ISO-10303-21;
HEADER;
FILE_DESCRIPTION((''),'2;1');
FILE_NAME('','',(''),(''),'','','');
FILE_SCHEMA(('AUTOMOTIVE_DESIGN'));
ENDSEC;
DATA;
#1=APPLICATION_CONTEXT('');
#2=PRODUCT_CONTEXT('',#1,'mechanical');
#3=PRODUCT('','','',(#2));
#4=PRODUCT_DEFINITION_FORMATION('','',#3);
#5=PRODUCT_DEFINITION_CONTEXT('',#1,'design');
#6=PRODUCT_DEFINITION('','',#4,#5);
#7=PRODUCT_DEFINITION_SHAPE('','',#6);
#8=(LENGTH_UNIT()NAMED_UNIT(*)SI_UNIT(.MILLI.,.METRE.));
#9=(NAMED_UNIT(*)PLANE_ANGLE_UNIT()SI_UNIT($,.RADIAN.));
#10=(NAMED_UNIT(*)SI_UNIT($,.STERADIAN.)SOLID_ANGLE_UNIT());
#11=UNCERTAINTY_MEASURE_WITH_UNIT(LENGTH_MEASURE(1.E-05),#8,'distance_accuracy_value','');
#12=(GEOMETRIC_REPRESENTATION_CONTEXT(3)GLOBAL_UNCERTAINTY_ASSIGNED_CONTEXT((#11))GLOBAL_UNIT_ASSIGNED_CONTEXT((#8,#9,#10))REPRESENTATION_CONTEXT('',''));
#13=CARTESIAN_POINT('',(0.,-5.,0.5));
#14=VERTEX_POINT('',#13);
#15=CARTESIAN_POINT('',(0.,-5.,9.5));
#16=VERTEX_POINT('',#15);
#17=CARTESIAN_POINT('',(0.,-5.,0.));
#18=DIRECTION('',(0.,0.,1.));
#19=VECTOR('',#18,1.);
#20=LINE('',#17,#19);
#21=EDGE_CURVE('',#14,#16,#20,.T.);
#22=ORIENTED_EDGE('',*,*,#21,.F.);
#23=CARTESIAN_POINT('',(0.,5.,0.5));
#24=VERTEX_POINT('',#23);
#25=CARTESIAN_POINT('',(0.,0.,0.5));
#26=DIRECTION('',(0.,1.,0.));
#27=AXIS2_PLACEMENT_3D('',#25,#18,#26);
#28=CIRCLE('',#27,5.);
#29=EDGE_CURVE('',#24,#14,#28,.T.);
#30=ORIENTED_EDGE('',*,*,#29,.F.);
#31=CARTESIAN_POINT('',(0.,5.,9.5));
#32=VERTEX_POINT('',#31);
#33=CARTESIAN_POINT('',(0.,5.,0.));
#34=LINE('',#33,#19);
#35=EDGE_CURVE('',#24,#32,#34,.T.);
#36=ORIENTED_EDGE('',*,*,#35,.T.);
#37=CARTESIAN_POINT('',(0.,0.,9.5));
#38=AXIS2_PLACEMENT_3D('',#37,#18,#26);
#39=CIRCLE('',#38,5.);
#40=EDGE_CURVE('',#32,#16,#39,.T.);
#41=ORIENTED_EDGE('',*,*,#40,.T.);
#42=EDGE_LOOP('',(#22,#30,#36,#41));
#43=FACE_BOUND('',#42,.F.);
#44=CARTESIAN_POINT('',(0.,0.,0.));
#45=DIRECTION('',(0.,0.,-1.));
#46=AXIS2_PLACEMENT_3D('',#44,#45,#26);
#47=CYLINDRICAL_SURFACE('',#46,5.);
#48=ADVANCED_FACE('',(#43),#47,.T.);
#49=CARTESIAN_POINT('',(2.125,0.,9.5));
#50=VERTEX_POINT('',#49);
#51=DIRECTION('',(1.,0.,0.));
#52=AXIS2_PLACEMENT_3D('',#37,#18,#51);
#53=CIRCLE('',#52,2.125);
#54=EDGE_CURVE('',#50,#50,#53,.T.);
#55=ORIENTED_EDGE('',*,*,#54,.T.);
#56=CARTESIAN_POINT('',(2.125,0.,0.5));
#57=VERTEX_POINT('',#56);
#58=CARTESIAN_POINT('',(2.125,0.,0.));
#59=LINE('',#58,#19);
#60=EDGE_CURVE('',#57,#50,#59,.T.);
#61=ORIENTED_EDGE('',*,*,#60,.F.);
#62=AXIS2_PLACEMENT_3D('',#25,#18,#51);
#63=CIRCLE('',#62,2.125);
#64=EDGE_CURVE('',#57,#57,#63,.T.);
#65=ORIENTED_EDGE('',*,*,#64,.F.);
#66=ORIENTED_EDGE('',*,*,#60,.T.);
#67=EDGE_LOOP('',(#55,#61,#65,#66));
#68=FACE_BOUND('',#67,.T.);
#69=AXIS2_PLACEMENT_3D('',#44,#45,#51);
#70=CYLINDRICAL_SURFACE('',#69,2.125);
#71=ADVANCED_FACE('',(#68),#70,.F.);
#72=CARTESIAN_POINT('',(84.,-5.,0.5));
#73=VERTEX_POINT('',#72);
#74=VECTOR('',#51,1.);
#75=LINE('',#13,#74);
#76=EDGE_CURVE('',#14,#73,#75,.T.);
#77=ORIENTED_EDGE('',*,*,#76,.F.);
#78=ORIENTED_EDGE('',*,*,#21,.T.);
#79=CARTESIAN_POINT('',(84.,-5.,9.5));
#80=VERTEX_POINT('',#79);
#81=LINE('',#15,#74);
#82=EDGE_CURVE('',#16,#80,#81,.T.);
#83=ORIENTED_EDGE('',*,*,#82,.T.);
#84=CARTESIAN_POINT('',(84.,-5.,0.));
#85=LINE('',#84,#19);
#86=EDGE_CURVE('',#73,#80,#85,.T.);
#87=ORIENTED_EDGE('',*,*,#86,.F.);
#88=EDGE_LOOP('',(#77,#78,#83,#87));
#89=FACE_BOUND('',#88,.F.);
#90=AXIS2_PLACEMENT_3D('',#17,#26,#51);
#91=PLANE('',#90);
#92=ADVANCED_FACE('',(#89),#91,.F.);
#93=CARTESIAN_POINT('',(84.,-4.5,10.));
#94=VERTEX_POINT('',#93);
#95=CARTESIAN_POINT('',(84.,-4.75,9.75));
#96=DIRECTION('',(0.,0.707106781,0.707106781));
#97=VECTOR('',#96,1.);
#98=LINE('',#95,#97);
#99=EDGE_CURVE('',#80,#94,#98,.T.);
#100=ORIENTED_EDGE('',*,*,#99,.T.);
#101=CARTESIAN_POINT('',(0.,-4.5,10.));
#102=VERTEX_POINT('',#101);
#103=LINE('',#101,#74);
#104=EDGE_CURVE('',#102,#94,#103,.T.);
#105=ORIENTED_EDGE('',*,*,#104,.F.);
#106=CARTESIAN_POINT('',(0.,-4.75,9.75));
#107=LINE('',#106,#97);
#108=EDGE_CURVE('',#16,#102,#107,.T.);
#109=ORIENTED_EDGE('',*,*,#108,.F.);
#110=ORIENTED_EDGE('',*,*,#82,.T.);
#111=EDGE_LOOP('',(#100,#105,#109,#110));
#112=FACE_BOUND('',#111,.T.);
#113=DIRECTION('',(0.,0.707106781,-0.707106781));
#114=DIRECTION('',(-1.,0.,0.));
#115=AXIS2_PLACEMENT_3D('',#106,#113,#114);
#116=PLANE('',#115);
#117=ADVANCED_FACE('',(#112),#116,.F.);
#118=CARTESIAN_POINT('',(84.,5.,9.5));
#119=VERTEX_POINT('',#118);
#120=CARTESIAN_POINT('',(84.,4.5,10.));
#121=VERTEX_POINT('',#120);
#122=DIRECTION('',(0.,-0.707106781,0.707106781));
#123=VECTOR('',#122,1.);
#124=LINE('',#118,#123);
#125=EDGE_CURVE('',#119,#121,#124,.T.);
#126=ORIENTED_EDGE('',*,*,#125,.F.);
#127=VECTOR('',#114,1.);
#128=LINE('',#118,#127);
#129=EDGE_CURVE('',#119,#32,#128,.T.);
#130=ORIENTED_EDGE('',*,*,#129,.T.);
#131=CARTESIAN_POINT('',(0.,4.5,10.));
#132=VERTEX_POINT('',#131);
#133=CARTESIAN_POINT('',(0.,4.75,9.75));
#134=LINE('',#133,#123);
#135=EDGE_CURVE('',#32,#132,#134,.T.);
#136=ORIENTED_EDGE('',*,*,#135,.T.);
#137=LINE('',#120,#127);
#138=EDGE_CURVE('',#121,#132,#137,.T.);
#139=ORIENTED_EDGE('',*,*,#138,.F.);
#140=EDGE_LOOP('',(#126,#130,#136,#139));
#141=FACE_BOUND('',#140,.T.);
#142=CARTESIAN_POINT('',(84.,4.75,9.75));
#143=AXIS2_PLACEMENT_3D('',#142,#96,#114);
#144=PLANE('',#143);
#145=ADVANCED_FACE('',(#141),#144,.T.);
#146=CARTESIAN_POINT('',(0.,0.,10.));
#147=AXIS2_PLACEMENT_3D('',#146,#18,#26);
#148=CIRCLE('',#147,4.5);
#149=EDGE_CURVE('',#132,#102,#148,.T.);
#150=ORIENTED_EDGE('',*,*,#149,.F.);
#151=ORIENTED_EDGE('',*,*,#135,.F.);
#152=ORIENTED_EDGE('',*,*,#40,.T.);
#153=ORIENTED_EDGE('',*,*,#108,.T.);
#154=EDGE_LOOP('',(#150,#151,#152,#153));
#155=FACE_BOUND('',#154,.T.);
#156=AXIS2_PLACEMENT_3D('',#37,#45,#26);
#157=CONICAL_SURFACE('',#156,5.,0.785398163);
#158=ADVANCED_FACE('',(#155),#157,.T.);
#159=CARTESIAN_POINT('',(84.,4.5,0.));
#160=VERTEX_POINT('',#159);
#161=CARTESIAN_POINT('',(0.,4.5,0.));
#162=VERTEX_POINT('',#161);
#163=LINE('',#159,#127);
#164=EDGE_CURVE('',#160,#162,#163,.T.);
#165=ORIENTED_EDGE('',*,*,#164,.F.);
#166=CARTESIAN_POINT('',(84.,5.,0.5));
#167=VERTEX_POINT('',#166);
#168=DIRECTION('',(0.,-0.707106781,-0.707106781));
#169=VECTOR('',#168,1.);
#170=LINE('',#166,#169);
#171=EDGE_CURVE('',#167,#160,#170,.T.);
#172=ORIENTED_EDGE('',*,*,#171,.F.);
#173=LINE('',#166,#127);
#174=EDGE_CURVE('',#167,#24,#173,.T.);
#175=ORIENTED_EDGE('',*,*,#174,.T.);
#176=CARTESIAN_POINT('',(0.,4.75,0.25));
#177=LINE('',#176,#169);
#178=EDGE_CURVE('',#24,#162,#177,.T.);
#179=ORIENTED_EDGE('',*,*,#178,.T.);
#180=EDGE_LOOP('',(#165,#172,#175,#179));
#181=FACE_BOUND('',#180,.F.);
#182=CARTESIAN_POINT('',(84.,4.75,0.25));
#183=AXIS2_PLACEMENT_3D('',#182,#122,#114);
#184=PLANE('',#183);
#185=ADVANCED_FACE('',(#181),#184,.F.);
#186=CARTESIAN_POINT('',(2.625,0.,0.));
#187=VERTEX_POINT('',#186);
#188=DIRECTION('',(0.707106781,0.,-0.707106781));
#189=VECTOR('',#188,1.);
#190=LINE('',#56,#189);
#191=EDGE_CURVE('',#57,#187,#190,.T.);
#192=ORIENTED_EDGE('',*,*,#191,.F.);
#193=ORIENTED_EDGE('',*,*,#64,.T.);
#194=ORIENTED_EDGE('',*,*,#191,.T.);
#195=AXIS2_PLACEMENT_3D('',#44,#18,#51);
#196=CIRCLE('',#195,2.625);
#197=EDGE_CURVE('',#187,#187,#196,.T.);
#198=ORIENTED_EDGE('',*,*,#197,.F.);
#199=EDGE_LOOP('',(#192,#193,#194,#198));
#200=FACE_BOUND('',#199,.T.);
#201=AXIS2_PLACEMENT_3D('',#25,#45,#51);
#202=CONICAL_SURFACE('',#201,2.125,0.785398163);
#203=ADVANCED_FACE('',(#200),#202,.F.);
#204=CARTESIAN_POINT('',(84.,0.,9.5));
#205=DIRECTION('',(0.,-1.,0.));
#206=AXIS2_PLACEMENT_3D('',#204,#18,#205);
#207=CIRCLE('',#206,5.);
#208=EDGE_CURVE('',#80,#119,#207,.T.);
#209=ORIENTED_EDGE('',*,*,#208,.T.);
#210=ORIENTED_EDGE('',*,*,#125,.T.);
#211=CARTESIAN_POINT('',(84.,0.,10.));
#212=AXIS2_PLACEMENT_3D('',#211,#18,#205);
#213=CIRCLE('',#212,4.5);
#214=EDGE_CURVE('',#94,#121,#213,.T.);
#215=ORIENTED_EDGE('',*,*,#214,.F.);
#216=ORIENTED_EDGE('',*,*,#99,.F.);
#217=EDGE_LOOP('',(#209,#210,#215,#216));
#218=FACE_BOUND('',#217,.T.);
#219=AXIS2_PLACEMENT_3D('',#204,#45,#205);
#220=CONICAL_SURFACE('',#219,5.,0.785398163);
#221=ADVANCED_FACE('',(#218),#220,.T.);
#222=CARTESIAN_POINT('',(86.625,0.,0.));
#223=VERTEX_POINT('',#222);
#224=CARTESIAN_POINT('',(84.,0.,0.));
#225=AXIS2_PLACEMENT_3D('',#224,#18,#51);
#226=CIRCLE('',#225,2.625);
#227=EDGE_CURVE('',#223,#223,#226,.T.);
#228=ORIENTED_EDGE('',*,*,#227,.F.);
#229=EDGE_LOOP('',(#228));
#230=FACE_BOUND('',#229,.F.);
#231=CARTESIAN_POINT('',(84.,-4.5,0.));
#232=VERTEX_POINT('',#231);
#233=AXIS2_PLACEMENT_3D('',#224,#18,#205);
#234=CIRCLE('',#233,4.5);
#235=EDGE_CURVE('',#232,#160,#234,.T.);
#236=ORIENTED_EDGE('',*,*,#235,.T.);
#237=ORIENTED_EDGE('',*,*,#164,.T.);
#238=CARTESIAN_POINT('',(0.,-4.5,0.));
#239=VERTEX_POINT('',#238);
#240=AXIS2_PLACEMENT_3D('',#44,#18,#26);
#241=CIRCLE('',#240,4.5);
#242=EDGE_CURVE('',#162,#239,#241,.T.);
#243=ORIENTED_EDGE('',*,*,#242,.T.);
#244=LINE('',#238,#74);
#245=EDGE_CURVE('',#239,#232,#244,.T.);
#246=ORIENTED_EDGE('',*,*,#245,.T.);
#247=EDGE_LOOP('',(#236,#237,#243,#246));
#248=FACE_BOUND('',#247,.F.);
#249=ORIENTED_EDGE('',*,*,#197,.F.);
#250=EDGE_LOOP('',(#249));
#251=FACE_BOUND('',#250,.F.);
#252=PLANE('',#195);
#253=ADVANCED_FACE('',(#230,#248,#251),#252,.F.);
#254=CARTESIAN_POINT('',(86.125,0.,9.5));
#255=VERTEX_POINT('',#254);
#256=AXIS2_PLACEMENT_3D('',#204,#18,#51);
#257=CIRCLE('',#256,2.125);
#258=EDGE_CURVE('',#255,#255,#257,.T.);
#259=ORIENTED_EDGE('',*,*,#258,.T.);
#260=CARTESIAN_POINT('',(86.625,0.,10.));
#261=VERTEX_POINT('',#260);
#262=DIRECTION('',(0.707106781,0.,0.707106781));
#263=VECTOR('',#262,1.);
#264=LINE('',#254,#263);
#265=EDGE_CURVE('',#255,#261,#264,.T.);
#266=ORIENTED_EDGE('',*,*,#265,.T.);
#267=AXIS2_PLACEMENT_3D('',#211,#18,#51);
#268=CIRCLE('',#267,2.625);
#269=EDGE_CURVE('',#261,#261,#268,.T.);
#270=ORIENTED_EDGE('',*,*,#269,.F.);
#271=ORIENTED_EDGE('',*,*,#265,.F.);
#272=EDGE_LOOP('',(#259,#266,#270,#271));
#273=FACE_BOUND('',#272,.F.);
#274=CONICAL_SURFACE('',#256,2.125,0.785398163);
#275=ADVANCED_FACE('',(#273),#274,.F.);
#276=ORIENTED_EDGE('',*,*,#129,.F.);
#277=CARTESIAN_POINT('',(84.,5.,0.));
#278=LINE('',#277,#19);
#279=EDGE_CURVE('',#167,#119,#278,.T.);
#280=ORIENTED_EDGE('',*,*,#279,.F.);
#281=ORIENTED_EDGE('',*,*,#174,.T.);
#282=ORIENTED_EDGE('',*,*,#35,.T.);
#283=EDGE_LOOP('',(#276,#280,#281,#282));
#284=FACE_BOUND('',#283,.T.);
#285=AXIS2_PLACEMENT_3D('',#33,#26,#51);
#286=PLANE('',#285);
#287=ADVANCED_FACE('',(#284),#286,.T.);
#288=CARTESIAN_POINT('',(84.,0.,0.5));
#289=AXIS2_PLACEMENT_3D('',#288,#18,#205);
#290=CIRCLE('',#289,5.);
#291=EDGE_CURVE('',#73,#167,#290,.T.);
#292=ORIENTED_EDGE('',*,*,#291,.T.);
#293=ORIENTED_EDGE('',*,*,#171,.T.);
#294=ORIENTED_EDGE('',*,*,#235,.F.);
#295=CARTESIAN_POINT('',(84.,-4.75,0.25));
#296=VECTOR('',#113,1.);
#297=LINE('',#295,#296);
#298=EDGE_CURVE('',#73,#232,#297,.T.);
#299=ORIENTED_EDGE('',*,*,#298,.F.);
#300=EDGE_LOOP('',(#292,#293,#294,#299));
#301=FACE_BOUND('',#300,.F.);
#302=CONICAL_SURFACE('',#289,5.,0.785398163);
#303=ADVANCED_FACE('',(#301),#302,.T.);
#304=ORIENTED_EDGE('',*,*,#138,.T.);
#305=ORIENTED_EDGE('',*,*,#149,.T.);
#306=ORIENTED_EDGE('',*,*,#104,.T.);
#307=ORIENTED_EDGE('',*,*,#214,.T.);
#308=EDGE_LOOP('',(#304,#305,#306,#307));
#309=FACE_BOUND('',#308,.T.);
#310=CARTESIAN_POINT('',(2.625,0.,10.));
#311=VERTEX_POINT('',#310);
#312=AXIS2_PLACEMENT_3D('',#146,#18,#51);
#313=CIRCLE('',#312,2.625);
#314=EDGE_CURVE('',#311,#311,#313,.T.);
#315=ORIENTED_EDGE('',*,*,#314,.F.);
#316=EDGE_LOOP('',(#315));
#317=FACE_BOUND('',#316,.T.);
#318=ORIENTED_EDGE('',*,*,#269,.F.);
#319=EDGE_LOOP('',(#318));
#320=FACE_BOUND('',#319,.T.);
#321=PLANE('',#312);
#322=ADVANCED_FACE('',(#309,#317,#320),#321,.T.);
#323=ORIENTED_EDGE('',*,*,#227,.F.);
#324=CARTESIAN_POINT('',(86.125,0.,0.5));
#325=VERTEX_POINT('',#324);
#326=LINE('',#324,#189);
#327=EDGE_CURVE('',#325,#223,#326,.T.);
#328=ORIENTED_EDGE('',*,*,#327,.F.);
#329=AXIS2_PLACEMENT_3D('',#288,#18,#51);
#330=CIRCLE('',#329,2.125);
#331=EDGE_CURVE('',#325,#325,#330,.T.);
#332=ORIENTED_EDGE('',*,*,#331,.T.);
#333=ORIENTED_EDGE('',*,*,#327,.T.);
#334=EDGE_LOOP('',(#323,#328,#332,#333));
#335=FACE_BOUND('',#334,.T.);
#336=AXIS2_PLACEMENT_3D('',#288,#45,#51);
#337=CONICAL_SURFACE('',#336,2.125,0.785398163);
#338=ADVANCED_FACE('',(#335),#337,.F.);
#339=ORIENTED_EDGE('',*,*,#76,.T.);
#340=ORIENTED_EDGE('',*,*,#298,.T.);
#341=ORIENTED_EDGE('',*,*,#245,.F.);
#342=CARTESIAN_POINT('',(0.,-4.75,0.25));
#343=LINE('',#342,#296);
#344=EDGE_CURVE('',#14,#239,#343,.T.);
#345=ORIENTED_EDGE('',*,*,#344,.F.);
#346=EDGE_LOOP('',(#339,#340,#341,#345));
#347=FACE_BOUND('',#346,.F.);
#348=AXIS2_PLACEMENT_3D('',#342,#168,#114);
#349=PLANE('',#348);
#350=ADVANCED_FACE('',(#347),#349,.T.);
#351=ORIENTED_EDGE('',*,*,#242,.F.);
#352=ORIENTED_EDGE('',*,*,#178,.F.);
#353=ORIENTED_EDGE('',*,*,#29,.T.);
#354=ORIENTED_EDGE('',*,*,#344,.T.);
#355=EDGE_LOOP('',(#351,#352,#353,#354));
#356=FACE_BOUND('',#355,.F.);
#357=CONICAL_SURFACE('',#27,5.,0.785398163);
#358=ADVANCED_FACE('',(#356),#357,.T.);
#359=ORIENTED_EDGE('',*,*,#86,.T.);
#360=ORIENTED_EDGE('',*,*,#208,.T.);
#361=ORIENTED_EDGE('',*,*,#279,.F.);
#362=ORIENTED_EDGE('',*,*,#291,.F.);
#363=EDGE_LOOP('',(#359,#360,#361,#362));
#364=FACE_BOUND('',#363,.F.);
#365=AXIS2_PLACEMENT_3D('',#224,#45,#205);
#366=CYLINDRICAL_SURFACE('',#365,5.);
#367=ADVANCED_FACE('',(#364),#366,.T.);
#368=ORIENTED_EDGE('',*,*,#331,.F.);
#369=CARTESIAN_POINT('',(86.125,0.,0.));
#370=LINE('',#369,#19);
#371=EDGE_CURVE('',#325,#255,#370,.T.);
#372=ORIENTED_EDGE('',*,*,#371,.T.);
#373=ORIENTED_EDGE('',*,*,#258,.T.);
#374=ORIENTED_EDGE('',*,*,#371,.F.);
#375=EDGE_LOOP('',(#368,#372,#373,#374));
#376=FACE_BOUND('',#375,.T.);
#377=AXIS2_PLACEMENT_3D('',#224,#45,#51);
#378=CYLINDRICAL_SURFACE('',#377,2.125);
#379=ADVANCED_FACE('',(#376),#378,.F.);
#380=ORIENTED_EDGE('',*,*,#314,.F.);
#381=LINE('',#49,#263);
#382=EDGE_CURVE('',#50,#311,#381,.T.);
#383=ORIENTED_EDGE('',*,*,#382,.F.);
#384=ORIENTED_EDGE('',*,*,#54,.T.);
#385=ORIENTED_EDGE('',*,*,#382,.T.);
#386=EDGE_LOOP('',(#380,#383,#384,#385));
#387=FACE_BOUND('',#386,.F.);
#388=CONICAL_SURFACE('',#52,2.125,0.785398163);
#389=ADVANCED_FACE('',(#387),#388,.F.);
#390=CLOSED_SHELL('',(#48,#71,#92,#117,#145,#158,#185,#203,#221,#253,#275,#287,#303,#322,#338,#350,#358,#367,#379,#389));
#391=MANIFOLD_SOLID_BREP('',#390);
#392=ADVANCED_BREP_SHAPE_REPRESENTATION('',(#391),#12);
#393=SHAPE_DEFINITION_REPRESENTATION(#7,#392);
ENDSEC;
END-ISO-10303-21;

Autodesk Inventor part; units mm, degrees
ref_plane "YZ Plane" through (0, 0, 0) normal (1, 0, 0) x (0, 1, 0)
ref_plane "XZ Plane" through (0, 0, 0) normal (0, 1, 0) x (-1, 0, 0)
ref_plane "XY Plane" through (0, 0, 0) normal (0, 0, 1) x (1, 0, 0)
sketch "Sketch1" plane through (0, 0, 0) normal (0, 0, 1) x (1, 0, 0)
  circle A0 centre (0, 0) radius 2.125
  circle A1 centre (84, 0) radius 2.125
  arc A2 (84, -5) -> (84, 5) centre (84, 0) ccw
  arc A3 (0, 5) -> (0, -5) centre (0, 0) ccw
  line L0 (0, 5) -> (84, 5)
  line L1 (0, -5) -> (84, -5)
  dimension "d0" = 4.25
  dimension "d1" = 4.25
  dimension "d2" = 10
  dimension "d3" = 10
extrude "Extrusion1" add sketch "Sketch1" along normal blind 10
chamfer "Chamfer1" distance 0.5 angle 45 12 edges at (-2.125, 0, 10) (-2.125, 0, 0) (42, -5, 0) (89, 0, 0) (42, 5, 0) (-5, 0, 0) (42, -5, 10) (89, 0, 10) (42, 5, 10) (-5, 0, 10) (81.875, 0, 10) (81.875, 0, 0)
properties part number "HeightAdjustment"
